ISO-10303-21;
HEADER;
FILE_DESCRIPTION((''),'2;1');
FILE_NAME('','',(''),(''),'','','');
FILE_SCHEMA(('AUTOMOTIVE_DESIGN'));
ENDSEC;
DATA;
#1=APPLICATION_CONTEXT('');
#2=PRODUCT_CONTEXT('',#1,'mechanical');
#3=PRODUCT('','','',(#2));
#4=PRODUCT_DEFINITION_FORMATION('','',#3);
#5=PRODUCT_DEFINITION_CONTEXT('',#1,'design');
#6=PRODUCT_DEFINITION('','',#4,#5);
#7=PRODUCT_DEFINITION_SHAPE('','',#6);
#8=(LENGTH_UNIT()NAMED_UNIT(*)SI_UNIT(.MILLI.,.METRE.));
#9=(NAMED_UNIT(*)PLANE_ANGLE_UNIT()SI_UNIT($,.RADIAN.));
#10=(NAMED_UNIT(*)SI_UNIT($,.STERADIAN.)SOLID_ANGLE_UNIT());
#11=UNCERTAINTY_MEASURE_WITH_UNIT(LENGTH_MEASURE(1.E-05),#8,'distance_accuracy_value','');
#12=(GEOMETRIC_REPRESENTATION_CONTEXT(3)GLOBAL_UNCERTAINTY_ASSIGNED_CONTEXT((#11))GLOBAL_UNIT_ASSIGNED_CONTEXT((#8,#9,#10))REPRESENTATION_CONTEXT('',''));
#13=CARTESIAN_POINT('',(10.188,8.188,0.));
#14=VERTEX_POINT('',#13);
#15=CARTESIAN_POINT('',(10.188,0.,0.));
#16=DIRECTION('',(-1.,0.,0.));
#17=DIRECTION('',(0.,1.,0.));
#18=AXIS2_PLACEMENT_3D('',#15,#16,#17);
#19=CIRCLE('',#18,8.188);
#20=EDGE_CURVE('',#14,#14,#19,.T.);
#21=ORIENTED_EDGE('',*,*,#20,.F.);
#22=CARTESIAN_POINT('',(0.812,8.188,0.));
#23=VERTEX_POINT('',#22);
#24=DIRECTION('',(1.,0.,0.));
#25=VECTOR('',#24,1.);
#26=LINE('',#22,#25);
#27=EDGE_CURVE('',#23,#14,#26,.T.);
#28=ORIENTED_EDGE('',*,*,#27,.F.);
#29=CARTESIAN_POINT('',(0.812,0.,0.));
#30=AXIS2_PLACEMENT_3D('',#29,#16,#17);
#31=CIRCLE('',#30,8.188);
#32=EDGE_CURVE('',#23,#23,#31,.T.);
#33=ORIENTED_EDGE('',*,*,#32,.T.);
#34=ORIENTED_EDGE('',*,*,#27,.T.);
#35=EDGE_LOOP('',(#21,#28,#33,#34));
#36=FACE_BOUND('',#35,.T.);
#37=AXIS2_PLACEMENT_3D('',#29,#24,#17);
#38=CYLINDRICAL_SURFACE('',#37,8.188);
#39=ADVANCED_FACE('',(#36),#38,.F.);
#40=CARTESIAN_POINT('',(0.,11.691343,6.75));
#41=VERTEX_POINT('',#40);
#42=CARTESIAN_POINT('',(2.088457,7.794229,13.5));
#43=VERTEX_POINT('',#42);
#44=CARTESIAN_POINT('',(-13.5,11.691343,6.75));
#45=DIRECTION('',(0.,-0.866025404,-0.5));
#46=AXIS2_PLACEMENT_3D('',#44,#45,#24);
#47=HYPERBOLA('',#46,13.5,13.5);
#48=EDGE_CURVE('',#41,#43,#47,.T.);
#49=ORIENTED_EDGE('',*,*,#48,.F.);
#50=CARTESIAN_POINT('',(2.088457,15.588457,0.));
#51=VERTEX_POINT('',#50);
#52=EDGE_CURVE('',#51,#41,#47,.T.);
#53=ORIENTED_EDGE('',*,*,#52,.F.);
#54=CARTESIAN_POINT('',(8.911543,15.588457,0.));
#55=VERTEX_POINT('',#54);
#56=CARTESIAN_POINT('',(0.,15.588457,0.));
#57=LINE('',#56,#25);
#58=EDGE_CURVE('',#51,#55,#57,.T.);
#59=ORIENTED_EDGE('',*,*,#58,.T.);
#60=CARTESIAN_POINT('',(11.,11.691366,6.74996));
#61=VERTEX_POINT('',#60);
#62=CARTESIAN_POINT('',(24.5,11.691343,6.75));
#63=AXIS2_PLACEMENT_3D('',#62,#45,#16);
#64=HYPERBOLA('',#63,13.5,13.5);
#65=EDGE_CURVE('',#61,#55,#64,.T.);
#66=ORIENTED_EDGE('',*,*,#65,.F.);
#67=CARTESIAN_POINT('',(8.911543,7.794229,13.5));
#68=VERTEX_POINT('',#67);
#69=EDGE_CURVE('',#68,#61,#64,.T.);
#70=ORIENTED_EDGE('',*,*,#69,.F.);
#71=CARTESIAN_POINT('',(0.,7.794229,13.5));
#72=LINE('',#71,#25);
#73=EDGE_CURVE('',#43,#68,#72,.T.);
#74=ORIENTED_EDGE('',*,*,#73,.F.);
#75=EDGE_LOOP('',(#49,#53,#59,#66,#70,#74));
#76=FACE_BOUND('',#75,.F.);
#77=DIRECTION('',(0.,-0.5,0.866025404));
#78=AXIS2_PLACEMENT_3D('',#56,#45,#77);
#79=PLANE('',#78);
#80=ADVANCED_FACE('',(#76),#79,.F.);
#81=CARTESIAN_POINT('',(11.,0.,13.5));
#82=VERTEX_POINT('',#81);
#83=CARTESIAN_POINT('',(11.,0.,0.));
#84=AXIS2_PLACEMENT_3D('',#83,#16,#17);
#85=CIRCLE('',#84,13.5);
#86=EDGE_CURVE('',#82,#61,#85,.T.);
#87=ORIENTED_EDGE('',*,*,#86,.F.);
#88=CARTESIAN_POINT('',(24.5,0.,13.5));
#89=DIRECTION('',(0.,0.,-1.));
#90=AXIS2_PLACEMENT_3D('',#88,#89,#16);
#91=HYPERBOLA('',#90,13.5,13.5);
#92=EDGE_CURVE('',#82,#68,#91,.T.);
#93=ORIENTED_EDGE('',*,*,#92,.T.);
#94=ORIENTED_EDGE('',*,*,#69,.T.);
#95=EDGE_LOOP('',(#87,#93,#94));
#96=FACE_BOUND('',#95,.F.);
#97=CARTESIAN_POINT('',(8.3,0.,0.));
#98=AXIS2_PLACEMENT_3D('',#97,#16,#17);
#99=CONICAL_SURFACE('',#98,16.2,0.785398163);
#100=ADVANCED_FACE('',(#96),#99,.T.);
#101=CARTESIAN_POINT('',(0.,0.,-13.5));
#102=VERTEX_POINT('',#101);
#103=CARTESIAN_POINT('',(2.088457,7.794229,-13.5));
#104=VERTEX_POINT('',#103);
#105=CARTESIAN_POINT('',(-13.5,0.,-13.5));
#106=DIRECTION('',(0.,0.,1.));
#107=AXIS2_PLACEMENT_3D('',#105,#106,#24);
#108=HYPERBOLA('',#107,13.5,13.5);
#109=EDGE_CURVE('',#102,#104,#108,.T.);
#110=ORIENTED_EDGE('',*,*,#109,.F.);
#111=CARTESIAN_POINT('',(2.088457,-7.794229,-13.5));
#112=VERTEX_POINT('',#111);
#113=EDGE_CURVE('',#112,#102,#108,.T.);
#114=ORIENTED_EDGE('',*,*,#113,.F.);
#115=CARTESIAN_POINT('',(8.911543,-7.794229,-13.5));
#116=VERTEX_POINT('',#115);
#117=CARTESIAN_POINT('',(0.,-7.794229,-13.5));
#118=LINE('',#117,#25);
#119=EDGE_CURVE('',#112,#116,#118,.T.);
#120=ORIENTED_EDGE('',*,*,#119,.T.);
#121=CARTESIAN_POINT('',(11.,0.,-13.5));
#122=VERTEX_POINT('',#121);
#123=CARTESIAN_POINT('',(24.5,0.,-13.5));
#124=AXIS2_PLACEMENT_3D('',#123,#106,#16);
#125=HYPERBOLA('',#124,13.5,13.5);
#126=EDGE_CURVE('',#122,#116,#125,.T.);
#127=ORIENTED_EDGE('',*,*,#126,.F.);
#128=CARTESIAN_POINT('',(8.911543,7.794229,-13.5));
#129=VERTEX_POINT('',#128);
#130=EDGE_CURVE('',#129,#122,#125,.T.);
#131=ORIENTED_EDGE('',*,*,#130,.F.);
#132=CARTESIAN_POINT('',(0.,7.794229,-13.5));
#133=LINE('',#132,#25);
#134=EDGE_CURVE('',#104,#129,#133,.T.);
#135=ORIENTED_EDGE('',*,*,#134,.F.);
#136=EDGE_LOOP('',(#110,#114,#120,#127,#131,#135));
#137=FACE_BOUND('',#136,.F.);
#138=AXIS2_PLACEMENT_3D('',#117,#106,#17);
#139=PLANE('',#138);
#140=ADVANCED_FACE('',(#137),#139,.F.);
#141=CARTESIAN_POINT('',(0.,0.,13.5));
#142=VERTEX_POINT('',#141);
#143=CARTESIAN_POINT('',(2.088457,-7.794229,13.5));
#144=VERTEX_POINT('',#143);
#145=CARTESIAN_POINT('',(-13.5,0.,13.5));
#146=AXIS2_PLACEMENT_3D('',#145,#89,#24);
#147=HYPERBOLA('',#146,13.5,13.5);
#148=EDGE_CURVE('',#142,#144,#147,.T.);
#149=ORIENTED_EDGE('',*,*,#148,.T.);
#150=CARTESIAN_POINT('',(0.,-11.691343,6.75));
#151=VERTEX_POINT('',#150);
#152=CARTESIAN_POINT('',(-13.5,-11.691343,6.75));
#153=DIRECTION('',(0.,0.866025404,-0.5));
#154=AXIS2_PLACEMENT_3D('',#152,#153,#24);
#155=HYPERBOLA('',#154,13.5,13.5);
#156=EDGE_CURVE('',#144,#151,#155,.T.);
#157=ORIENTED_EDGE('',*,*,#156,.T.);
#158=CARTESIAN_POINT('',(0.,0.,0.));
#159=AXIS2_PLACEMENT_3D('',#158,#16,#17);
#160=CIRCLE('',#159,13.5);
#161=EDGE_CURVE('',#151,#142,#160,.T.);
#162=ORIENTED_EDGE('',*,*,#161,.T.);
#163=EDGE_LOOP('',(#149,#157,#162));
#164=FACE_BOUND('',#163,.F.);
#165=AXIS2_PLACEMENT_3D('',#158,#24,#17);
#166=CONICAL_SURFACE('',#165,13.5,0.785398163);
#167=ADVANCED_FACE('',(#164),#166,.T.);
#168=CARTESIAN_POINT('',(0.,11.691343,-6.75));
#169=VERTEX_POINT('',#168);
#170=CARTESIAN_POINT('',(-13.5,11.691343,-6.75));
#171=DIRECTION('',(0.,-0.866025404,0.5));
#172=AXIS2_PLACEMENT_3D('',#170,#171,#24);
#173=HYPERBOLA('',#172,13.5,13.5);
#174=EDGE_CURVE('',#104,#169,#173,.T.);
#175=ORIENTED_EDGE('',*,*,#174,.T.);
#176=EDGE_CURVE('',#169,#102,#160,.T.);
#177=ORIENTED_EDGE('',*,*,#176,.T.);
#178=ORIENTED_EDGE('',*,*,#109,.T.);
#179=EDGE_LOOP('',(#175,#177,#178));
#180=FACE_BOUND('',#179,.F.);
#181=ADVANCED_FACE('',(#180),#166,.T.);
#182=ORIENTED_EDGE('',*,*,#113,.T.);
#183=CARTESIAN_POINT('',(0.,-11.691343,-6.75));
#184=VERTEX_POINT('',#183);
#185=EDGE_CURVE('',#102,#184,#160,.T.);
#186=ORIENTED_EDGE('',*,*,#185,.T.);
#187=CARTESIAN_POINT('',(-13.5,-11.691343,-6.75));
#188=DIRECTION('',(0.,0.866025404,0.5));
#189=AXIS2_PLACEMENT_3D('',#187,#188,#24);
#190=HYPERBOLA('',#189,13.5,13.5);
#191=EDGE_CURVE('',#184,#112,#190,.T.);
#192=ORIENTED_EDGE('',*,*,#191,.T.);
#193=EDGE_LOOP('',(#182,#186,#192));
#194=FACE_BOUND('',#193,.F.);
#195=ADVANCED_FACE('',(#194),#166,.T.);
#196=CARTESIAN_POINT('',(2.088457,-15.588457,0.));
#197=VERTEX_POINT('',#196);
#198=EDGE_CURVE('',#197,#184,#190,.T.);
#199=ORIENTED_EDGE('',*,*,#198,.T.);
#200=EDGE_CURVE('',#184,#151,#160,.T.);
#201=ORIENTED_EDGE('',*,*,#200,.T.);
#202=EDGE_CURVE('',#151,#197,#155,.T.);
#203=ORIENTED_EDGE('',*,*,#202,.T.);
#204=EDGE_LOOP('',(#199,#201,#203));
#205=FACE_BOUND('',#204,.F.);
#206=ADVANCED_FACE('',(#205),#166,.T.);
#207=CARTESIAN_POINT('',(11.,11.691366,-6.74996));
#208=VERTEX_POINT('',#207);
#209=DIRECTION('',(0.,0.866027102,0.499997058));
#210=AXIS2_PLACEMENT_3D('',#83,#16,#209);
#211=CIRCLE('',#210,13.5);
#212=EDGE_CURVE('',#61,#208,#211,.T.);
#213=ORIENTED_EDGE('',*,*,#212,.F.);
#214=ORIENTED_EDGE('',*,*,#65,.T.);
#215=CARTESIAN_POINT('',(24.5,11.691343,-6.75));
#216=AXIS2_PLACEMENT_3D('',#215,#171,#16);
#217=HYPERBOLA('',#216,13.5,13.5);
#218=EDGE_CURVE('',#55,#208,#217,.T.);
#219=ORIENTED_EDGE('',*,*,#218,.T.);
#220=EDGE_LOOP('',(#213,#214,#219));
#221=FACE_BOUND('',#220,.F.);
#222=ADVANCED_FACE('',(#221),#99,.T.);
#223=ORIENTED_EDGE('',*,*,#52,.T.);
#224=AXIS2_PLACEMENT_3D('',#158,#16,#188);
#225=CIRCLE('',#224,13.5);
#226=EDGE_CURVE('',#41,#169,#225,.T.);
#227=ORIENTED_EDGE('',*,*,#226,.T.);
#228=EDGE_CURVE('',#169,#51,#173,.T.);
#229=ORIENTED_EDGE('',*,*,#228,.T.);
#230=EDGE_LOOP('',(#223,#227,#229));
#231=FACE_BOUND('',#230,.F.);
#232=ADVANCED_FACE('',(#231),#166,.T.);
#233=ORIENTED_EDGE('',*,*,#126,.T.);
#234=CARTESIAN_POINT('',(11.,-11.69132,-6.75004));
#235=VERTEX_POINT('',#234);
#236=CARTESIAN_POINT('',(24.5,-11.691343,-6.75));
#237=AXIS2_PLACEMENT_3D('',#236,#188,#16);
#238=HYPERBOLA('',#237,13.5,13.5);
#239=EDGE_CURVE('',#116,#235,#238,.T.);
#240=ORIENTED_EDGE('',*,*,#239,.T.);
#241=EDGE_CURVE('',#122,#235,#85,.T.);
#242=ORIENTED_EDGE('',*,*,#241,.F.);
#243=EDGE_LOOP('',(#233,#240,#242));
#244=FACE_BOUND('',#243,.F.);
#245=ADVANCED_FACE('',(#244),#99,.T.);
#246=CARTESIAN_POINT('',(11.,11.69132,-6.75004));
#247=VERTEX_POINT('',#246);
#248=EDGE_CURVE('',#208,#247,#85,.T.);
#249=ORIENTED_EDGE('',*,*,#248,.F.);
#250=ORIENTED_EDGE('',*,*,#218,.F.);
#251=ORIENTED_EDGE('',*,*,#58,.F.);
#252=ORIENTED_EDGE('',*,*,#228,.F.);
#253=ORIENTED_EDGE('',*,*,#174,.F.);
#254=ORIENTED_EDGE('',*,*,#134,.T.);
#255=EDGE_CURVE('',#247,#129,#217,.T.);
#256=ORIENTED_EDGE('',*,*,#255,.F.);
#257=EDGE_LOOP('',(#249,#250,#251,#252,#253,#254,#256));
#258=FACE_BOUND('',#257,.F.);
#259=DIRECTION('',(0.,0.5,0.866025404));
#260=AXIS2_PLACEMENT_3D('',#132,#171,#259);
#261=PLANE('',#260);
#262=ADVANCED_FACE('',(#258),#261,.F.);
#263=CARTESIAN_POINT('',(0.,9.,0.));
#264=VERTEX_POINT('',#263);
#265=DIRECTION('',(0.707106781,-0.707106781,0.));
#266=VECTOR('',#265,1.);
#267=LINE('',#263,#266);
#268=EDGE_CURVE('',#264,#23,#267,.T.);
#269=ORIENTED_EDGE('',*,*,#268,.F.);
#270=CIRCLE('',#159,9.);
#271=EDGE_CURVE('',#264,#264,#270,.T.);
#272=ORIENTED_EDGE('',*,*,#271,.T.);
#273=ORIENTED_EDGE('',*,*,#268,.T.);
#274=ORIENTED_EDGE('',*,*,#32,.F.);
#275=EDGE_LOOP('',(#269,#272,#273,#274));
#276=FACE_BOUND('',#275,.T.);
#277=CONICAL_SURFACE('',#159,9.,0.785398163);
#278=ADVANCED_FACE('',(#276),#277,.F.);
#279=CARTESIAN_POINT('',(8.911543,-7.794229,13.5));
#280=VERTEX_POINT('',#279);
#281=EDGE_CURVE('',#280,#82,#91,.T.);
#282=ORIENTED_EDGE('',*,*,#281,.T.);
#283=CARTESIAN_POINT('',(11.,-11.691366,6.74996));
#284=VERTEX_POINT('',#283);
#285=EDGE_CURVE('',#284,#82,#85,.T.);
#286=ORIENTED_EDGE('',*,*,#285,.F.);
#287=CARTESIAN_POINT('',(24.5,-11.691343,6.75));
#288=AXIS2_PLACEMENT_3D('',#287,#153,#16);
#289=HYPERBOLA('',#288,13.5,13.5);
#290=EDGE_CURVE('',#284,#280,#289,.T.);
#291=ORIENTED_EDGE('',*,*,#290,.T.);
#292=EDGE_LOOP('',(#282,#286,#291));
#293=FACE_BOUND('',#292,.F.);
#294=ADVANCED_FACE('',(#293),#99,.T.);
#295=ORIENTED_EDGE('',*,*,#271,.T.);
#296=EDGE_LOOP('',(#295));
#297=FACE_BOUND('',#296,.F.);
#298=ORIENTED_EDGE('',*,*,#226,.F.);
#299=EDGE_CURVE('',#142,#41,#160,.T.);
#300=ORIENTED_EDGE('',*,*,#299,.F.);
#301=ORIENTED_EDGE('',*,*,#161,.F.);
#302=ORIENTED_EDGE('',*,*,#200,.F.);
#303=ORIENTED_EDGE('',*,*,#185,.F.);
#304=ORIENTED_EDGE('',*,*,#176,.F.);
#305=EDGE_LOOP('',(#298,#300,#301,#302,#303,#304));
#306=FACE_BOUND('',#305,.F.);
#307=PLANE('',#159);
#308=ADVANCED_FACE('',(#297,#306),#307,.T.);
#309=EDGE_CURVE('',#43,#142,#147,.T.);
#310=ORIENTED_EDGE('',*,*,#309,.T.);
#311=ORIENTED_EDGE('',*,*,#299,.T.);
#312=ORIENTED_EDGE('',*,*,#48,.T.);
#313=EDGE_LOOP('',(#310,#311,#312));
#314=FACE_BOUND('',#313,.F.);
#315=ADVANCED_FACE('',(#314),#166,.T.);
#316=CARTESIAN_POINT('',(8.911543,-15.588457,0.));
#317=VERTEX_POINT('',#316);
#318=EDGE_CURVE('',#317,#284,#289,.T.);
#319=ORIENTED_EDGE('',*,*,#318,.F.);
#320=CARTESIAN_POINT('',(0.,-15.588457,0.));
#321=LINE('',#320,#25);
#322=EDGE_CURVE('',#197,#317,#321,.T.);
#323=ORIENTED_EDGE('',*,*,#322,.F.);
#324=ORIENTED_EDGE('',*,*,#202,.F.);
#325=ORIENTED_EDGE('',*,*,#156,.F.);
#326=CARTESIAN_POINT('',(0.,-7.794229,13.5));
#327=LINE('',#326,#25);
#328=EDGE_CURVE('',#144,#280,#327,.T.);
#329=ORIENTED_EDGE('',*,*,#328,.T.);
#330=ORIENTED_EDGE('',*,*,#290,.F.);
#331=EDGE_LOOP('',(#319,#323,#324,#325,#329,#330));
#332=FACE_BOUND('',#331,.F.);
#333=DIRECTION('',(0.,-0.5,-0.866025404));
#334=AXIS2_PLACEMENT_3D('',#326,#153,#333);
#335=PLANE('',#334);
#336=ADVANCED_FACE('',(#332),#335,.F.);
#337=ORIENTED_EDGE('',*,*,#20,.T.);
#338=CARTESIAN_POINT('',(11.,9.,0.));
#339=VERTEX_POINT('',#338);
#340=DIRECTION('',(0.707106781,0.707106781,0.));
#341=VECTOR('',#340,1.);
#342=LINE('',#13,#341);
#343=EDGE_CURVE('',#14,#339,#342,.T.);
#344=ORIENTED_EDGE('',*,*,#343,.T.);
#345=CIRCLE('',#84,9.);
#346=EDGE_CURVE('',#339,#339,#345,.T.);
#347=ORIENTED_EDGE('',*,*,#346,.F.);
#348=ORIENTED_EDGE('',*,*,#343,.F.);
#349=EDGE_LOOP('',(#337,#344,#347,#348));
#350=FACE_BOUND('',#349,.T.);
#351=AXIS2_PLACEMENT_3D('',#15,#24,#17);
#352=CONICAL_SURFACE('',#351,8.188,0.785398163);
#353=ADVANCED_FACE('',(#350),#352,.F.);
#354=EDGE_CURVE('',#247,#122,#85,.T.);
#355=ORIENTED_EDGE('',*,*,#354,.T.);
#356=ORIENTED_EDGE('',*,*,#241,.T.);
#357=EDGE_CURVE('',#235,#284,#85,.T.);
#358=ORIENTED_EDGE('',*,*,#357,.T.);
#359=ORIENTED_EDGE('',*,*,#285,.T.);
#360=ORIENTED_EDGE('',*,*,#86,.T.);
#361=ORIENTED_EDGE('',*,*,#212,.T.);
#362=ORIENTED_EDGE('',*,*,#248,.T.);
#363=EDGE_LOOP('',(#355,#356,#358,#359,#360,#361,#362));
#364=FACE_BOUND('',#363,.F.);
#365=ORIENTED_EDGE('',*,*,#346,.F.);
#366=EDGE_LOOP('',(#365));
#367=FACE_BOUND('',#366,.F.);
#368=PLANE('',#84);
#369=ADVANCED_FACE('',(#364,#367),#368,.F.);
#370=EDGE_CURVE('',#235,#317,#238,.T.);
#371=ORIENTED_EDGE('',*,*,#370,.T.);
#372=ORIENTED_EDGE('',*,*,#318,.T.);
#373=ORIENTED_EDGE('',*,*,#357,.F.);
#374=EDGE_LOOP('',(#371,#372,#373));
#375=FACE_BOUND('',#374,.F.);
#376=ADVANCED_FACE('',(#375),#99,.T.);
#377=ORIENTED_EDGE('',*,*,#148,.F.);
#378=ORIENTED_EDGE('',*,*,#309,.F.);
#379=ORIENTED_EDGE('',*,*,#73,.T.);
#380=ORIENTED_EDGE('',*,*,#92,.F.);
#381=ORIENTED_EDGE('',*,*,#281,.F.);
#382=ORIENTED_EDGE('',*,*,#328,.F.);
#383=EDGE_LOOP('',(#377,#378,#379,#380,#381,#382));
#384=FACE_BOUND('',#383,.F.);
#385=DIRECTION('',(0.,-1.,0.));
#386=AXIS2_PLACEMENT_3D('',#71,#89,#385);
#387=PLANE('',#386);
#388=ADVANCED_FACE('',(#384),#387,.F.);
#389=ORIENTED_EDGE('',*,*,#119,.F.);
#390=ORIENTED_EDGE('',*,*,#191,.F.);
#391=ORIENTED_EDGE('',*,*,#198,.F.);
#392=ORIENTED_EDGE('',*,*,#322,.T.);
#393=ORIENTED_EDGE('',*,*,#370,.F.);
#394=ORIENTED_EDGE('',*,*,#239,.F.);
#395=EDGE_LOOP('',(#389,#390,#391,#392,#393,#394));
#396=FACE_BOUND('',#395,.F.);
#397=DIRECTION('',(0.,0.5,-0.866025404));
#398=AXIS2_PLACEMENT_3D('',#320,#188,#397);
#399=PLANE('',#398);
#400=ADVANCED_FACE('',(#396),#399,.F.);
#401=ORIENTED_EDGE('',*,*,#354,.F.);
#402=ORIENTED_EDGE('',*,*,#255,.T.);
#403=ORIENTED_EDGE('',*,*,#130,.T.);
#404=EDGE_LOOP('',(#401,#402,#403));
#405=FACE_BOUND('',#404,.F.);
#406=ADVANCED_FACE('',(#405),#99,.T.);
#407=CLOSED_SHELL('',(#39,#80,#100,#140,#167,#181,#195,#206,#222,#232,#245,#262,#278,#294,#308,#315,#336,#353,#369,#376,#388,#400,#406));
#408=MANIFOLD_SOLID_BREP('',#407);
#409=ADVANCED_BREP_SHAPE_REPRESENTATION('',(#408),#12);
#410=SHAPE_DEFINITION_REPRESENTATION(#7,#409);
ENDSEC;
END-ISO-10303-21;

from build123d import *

# Parameters (mm, degrees)
CUT_EXTRUDE_1_DEPTH      = 54
CUT_EXTRUDE_1_DEPTH_BACK = 54
SKETCH_3_W               = 54
SKETCH_3_H               = 54


with BuildPart() as part:
    # 草图1 → 旋转1 (revolve)
    with BuildSketch(Plane.XY):
        Polygon((0, 0), (0, 13.5), (2.7, 16.2), (8.3, 16.2), (11, 13.5), (11, 0), align=None)
    revolve(axis=Axis((11, 0, 0), (-1, 0, 0)))

    # 草图2 → 切除-旋转1 (revolve, cut)
    with BuildSketch(Plane.XY):
        Polygon((0, 0), (0, 9), (0.812, 8.188), (10.188, 8.188), (11, 9), (11, 0), align=None)
    revolve(axis=Axis((11, 0, 0), (-1, 0, 0)), mode=Mode.SUBTRACT)

    # 草图3 → 切除-拉伸1 (cut, two sides: drawn at the far end of the back side and taken through both)
    with BuildSketch(Plane(origin=(0, 0, 0), x_dir=(0, 0, -1), z_dir=(1, 0, 0)).offset(-CUT_EXTRUDE_1_DEPTH_BACK)):
        Rectangle(SKETCH_3_W, SKETCH_3_H)
        Polygon((-13.5, -7.794228634), (0, -15.588457268), (13.5, -7.794228634), (13.5, 7.794228634), (0, 15.588457268), (-13.5, 7.794228634), align=None, mode=Mode.SUBTRACT)
    extrude(amount=CUT_EXTRUDE_1_DEPTH + CUT_EXTRUDE_1_DEPTH_BACK, mode=Mode.SUBTRACT)


solid = part.part
